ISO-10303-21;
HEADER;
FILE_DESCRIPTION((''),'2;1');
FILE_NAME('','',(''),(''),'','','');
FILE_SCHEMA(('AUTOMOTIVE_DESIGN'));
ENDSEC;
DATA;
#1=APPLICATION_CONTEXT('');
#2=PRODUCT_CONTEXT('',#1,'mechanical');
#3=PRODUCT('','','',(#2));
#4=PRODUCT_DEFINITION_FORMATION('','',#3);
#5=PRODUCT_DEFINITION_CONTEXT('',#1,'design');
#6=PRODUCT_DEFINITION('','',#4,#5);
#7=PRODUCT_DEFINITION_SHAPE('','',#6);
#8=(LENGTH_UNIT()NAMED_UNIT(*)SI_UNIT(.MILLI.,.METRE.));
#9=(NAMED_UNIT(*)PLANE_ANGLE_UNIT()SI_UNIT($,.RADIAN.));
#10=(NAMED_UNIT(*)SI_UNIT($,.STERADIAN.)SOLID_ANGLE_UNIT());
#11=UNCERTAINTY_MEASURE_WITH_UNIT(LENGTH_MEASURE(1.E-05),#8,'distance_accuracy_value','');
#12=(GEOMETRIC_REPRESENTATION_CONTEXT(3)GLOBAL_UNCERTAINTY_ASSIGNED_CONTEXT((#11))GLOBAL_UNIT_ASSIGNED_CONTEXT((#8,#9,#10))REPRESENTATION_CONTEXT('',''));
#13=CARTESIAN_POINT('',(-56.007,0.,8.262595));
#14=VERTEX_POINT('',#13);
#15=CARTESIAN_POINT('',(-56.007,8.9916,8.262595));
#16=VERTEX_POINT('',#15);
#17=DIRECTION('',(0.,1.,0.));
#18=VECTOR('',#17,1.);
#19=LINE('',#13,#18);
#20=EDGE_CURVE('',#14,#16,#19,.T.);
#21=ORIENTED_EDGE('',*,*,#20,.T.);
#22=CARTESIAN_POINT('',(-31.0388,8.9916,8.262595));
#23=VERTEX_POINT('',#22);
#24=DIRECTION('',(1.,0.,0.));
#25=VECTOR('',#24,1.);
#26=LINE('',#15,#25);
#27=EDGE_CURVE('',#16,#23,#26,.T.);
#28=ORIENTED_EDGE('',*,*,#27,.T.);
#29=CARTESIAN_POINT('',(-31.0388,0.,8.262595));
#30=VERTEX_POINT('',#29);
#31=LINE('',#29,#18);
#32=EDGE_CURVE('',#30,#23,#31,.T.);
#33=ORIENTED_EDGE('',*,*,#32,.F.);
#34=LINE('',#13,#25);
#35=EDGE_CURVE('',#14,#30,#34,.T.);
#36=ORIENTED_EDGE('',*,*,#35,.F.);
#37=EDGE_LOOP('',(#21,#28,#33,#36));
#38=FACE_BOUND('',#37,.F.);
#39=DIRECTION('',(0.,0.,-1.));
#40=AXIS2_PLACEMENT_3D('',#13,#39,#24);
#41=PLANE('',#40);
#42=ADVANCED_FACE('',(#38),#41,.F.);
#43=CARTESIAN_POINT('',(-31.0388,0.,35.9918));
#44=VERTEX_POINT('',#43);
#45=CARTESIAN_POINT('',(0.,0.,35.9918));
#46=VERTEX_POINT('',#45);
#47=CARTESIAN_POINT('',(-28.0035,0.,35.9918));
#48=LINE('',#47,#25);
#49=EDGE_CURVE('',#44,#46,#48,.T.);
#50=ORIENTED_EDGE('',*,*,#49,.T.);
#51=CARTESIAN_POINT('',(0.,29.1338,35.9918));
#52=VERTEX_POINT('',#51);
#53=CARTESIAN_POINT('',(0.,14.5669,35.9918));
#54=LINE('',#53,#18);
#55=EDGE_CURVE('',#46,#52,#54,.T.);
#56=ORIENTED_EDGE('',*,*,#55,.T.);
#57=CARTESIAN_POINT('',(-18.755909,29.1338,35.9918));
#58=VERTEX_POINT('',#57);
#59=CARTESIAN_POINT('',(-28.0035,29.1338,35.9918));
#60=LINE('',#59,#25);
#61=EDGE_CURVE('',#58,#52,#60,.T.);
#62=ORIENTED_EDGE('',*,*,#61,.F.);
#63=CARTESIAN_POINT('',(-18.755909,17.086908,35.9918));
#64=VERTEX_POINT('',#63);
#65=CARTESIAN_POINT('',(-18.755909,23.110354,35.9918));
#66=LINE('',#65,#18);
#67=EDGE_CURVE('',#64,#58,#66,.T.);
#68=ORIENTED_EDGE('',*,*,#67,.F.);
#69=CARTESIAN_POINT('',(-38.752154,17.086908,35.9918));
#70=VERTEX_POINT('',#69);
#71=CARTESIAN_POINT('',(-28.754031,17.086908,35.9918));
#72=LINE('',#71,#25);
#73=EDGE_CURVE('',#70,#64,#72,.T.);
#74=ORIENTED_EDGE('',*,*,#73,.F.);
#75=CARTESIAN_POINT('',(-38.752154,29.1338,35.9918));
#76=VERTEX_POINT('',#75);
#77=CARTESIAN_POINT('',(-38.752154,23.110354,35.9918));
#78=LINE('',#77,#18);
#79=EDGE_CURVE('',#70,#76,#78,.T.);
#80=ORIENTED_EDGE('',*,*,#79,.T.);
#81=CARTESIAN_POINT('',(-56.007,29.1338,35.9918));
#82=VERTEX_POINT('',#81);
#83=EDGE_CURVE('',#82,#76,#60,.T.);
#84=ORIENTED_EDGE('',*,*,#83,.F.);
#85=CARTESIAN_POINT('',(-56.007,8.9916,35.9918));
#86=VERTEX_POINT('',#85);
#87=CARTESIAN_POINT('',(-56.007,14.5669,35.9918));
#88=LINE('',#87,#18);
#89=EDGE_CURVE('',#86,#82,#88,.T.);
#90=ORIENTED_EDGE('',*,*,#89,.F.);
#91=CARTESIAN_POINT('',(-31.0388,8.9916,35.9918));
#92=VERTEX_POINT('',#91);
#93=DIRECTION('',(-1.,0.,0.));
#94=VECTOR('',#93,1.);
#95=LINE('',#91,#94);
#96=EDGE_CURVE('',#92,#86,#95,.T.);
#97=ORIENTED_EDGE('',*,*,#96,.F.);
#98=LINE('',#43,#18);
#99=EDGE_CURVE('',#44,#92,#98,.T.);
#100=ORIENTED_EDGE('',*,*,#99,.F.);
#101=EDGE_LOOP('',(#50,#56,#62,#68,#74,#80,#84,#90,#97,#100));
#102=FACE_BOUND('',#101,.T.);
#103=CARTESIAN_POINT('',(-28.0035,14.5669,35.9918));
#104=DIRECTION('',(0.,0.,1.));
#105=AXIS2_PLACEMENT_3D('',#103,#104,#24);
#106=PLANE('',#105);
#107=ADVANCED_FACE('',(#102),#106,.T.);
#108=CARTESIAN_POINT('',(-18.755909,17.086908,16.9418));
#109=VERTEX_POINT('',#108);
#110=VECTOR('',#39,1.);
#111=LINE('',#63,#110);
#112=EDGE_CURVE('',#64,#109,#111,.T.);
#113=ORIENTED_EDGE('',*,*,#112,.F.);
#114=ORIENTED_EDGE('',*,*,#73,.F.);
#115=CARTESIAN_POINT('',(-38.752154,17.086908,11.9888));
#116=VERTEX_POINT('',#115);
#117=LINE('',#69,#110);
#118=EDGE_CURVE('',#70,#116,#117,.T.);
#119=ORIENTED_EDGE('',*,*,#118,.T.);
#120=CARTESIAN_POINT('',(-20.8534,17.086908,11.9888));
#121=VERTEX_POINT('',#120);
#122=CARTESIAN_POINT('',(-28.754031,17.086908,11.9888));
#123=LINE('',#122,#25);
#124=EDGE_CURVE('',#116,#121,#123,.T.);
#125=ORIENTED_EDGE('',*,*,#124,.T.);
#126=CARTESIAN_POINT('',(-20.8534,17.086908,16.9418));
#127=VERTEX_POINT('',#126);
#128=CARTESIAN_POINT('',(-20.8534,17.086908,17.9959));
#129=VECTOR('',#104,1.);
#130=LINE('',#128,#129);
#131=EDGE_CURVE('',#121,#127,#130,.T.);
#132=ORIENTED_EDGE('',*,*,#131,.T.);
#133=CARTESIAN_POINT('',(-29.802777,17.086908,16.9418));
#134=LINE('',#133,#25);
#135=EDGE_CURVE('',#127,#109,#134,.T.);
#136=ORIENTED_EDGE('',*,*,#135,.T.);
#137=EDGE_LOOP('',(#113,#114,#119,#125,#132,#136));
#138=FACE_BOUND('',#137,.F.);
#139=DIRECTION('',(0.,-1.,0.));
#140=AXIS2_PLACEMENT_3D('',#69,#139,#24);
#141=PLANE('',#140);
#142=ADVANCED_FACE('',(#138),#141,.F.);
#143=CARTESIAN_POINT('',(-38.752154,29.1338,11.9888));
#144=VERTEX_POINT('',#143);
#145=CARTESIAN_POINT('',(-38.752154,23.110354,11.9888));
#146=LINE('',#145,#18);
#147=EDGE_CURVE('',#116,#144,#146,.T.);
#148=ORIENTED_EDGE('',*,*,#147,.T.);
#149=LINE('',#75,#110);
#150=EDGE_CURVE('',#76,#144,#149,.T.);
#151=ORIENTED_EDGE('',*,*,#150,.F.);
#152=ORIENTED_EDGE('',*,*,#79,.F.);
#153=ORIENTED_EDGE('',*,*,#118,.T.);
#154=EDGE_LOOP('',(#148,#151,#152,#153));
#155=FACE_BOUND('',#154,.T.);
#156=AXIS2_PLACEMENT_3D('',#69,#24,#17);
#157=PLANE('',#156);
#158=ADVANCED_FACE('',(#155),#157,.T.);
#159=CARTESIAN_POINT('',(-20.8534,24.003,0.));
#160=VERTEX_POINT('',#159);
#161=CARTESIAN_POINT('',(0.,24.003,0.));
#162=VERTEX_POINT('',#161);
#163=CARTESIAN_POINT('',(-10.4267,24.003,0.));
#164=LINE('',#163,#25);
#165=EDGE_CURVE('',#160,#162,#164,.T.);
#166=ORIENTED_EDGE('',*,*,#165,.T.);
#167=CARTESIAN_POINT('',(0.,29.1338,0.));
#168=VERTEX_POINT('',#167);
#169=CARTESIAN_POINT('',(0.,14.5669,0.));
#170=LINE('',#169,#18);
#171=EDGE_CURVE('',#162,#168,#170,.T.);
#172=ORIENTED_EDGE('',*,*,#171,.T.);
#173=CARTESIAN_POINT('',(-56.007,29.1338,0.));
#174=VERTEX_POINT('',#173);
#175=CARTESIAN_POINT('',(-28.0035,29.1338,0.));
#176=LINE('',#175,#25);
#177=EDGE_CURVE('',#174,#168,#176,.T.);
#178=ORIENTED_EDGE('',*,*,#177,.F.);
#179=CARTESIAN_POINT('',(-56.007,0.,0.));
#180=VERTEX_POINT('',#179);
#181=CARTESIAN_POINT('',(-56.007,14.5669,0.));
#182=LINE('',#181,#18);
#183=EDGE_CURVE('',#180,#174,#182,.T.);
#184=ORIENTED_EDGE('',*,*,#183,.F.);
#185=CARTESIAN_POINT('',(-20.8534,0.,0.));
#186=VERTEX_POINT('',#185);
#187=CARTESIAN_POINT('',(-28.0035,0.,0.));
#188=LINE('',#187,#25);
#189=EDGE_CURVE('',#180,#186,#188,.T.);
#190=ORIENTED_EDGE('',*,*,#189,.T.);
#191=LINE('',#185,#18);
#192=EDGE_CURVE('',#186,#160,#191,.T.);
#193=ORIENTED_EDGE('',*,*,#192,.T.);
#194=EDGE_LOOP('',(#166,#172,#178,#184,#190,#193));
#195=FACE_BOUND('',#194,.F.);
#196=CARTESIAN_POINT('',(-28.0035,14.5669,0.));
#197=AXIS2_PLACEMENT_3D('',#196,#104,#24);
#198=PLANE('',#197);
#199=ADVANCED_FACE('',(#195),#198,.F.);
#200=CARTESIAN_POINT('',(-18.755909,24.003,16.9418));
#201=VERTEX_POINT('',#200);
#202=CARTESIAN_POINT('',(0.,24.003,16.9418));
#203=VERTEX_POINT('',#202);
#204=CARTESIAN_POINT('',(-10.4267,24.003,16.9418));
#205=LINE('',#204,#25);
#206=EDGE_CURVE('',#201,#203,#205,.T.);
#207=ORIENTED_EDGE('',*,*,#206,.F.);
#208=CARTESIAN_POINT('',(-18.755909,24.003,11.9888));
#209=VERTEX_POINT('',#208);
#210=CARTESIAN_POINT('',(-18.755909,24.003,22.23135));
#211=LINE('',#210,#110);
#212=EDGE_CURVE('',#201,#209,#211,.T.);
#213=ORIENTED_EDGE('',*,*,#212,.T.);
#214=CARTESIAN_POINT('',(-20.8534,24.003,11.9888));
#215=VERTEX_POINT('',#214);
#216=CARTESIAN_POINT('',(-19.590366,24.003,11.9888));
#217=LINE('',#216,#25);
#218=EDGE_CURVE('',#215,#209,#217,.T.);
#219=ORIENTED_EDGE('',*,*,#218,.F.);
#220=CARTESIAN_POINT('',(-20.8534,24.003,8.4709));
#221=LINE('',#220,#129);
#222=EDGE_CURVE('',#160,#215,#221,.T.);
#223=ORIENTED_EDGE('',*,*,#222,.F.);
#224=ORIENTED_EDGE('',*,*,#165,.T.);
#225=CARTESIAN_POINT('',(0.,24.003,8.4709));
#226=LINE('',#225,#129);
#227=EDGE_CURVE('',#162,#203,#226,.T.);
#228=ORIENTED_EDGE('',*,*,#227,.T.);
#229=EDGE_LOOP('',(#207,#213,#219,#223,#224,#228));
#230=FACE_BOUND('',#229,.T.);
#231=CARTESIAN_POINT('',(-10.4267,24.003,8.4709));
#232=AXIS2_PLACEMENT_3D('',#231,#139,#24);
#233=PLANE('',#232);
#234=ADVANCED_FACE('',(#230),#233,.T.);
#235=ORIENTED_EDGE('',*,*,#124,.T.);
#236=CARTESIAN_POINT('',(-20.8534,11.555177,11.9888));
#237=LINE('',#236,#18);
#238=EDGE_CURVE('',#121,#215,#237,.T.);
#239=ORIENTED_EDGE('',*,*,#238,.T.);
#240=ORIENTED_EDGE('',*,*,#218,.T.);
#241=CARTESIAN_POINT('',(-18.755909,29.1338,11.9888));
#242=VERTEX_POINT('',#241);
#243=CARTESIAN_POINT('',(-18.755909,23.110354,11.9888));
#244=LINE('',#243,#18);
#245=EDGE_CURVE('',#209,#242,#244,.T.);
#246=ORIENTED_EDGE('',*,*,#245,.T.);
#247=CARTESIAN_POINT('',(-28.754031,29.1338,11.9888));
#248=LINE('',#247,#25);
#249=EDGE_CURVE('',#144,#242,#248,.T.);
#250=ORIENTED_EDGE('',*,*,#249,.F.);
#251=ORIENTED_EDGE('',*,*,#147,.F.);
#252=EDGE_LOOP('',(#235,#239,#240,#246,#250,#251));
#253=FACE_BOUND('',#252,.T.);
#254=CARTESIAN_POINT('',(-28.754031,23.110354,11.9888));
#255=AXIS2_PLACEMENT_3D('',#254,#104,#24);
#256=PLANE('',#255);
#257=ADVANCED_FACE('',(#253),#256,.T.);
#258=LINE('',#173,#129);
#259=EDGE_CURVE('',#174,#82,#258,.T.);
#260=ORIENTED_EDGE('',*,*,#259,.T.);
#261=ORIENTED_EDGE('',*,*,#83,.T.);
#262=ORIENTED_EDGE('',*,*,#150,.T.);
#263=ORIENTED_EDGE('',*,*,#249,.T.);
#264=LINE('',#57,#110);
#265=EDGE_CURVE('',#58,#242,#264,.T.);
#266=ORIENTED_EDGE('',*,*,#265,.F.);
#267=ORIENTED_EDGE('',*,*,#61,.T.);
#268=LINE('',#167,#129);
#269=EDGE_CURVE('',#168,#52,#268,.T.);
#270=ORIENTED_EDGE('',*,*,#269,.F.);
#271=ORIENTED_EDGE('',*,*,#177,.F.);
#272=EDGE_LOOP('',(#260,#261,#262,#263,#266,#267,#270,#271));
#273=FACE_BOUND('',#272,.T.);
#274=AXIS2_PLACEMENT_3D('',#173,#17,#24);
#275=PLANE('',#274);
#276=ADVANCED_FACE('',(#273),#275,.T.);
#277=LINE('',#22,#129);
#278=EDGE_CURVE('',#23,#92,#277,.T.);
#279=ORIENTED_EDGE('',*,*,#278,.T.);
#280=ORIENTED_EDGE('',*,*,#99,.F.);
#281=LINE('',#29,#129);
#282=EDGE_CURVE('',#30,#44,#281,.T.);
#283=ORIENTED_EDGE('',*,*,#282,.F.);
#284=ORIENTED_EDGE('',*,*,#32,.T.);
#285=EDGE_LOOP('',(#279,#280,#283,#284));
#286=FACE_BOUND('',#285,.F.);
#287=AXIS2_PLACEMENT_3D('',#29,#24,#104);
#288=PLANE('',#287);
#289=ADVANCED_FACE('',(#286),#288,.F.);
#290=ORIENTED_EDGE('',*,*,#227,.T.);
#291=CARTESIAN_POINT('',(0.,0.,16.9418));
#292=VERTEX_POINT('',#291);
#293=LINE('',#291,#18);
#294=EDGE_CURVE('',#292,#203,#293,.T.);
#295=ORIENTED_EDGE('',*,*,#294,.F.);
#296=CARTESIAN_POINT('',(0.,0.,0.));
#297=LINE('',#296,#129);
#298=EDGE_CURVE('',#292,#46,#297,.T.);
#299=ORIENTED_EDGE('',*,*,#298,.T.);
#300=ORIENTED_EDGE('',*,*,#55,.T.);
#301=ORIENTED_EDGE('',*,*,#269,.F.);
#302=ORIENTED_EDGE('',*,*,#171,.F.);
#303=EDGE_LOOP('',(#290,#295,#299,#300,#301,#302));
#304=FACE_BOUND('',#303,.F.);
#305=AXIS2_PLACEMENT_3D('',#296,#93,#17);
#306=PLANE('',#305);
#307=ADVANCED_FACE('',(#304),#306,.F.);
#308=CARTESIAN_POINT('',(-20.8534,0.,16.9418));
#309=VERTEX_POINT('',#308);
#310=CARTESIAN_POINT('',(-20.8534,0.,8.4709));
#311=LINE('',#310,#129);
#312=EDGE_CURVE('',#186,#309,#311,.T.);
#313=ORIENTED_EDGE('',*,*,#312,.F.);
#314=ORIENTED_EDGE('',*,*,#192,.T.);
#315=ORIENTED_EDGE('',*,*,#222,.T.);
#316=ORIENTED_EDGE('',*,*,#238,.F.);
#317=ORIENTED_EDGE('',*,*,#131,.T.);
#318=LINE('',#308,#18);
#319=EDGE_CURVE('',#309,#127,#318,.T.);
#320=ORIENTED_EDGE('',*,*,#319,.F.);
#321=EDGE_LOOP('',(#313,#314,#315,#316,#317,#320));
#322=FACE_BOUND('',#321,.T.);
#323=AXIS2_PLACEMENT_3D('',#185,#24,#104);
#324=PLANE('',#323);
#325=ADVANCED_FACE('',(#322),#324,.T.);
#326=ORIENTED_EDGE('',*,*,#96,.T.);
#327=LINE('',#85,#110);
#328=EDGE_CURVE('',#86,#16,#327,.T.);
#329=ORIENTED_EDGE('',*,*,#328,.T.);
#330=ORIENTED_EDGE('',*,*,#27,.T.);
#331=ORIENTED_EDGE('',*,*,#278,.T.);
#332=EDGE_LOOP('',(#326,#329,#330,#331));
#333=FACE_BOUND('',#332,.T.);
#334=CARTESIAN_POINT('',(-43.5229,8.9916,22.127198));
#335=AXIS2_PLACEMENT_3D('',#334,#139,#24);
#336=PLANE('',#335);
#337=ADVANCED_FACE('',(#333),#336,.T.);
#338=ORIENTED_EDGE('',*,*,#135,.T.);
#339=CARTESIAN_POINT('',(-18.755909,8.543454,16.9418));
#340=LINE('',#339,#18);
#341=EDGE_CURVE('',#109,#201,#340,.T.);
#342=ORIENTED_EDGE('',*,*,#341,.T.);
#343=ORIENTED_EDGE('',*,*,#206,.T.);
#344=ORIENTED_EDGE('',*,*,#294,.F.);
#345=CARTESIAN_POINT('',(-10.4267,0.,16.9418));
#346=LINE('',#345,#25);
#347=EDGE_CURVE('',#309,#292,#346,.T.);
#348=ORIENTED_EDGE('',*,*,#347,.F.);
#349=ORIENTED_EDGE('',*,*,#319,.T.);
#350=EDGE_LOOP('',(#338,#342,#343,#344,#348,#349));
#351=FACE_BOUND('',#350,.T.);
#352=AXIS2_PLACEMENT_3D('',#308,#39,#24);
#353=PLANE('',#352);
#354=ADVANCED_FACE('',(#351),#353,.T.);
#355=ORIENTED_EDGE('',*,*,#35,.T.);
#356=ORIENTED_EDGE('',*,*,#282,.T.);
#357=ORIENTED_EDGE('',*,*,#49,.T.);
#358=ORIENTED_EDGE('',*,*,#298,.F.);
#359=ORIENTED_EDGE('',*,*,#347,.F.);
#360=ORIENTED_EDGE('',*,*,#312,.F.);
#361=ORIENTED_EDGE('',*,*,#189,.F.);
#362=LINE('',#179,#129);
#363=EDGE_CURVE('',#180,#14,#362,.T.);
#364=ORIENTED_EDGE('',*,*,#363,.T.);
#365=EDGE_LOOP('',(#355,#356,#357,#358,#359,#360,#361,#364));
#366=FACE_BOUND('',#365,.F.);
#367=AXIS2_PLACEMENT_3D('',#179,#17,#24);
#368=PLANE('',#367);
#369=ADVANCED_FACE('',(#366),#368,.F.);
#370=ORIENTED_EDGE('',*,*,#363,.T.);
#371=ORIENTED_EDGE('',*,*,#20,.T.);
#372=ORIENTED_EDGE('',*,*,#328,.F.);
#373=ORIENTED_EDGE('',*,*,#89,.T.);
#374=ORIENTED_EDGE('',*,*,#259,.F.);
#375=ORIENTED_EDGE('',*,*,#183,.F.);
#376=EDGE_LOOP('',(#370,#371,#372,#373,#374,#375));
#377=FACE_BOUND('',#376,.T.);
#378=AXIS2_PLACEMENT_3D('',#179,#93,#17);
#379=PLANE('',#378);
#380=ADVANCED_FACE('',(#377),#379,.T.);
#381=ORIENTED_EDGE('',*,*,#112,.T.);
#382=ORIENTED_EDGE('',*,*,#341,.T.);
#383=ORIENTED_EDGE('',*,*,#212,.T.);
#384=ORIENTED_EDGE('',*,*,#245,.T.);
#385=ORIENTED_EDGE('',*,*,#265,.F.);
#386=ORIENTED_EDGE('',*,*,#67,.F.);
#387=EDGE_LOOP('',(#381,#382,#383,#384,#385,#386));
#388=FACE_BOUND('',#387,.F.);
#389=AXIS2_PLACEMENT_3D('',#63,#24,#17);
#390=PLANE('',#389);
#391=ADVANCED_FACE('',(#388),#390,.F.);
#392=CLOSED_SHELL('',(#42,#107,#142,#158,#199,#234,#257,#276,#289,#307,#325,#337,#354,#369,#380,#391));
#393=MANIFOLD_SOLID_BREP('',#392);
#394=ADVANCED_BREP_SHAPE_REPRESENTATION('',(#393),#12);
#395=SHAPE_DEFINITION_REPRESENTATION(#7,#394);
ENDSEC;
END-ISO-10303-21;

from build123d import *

# Parameters (mm, degrees)
F0_W     = 56.007
F0_H     = 29.1338
F2_DEPTH = 35.9918
F3_W     = 19.9962444603
F3_H     = 12.0468917788
F4_DEPTH = 24.003
F5_W     = 20.8534
F5_H     = 16.9418
F7_DEPTH = 24.003
F8_DEPTH = 8.9916


with BuildPart() as f2:
    # F0 (on Top) → F2 (new body)
    with BuildSketch(Plane.XY):
        with Locations((-28.0035, 14.5669)):
            Rectangle(F0_W, F0_H)
    extrude(amount=F2_DEPTH)

    # F3 (on face) → F4 (cut)
    with BuildSketch(Plane.XY.offset(35.9918)):
        with Locations((-28.7540312856, 23.1103541106)):
            Rectangle(F3_W, F3_H)
    extrude(amount=-F4_DEPTH, mode=Mode.SUBTRACT)

    # F5 (on face) → F7 (cut)
    with BuildSketch(Plane.XZ):
        with Locations((-10.4267, 8.4709)):
            Rectangle(F5_W, F5_H)
    extrude(amount=-F7_DEPTH, mode=Mode.SUBTRACT)

    # F5 (on face) → F8 (cut)
    with BuildSketch(Plane.XZ):
        Polygon((-56.007, 35.9918), (-56.007, 8.2625951707), (-31.0388, 8.2625951707), (-31.0388, 24.003), (-31.0388, 35.9918), align=None)
    extrude(amount=-F8_DEPTH, mode=Mode.SUBTRACT)


solid = f2.part
